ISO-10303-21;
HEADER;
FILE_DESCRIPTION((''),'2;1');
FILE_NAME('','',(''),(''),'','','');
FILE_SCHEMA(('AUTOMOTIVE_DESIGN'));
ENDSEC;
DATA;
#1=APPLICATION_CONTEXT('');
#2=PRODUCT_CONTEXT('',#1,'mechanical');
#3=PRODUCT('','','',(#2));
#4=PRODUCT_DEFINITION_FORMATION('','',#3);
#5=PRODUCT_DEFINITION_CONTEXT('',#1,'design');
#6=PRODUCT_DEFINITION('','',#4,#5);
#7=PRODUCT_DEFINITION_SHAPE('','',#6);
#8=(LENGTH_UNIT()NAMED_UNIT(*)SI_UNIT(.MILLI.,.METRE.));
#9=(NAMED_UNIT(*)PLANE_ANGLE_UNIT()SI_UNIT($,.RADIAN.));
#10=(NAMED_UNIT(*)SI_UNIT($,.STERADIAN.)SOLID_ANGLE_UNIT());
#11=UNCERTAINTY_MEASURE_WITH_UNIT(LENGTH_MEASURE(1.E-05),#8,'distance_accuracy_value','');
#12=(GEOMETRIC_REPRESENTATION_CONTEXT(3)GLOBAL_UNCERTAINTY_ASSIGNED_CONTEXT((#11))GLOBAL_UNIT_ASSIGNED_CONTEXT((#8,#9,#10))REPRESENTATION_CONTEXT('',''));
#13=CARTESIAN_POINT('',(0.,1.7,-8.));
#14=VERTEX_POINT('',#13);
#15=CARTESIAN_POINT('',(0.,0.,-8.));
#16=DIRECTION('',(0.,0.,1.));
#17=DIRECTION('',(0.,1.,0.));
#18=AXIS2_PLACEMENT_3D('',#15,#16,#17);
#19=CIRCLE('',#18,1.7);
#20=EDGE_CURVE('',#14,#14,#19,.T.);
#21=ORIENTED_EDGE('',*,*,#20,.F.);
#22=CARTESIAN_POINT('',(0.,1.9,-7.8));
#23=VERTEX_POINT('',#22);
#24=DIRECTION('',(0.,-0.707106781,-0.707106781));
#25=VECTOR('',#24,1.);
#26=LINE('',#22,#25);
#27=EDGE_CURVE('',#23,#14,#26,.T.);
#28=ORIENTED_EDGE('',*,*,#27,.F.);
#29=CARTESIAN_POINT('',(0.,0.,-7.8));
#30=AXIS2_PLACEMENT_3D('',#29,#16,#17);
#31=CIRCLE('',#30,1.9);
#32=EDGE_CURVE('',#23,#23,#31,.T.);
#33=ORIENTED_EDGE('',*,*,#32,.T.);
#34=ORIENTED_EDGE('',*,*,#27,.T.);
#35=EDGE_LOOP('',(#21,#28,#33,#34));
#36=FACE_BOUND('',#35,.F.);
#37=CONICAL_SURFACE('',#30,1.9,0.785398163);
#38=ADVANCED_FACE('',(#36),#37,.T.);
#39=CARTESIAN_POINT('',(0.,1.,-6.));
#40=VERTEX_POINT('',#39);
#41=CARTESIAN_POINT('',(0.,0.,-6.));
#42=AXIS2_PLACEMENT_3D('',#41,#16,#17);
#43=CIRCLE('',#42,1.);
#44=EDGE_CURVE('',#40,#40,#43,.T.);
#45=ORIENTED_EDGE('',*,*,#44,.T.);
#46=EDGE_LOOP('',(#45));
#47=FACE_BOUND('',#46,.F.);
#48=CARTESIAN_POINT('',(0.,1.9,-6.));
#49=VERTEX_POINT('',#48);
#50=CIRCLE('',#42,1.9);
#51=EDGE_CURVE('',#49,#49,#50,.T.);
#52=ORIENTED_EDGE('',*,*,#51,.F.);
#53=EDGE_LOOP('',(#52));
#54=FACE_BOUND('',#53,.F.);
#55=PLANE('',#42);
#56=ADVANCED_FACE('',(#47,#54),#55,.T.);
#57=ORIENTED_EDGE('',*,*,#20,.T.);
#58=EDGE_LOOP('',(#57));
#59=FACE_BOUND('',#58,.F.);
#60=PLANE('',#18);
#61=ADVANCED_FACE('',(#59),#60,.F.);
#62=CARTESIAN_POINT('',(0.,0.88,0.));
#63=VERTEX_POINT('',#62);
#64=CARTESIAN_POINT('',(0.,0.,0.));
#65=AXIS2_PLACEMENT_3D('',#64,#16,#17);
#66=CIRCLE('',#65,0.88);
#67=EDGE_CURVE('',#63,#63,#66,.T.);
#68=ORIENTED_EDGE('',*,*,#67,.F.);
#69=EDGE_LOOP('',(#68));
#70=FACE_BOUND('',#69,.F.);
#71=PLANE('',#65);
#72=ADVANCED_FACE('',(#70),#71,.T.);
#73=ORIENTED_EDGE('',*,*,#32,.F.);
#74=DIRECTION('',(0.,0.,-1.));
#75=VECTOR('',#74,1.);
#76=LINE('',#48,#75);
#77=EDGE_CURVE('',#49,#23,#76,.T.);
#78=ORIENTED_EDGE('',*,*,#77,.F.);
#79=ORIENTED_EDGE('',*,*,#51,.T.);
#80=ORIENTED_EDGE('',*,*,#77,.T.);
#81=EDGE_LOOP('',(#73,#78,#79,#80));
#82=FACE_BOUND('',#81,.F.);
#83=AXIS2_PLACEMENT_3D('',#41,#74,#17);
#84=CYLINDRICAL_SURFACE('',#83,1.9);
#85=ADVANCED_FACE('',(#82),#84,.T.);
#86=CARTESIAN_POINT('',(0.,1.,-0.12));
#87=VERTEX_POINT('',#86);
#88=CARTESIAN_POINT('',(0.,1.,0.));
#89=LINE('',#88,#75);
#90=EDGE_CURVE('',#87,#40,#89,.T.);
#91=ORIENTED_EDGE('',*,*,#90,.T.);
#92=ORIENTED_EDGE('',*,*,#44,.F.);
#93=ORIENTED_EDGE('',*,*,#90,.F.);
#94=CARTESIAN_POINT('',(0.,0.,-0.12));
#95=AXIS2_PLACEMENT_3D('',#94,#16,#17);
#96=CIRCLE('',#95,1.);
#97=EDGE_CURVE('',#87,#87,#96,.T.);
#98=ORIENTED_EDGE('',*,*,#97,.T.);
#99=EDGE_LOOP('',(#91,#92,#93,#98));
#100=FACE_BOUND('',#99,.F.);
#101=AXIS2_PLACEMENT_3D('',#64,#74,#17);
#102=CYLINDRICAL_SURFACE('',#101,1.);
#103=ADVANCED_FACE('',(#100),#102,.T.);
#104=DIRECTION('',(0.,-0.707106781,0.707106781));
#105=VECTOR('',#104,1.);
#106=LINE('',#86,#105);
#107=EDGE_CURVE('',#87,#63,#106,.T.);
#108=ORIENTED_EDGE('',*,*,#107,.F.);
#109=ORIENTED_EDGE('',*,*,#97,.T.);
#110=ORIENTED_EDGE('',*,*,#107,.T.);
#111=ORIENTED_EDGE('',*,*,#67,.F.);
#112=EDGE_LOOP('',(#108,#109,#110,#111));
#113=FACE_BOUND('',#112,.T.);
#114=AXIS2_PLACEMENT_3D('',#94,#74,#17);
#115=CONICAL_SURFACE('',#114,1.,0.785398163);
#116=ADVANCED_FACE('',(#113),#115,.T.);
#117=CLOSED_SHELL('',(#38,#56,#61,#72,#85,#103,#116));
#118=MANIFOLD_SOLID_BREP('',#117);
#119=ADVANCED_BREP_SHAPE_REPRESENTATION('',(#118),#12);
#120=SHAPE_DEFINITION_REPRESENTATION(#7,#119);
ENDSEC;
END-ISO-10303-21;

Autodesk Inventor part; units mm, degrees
ref_plane "YZ Plane" through (0, 0, 0) normal (1, 0, 0) x (0, 1, 0)
ref_plane "XZ Plane" through (0, 0, 0) normal (0, 1, 0) x (-1, 0, 0)
ref_plane "XY Plane" through (0, 0, 0) normal (0, 0, 1) x (1, 0, 0)
sketch "スケッチ1" plane through (0, 0, 0) normal (1, 0, 0) x (0, 1, 0)
  line L0 (0, 0) -> (1, 0)
  line L1 (1, 0) -> (1, -6)
  line L2 (1, -6) -> (0, -6)
  line L3 (0, -6) -> (0, 0)
  line L4 (0, -6) -> (1.9, -6)
  line L5 (1.9, -6) -> (1.9, -8)
  line L6 (1.9, -8) -> (0, -8)
  line L7 (0, -8) -> (0, -6)
  line L8 (1.9, -7.8) -> (1.7, -8)
  line L9 (1, -0.12) -> (0.88, 0)
  point P0 (1.9, -7)
  point P1 (1, -6)
  dimension "d0" = 45
  dimension "d1" = 1.9
  dimension "d2" = 2
  dimension "d3" = 6
  dimension "d7" = 1
  dimension "d10" = 45
  dimension "d11" = 0.2
  dimension "d12" = 0.12
revolve "回転1" add sketch "スケッチ1" angle 360 about axis through (0, 0, -6) along (0, 0, 1) contours L0 L9 L1 L2 L3 | L2 L4 L5 L8 L6 L7
thread "ねじ2" size "M2x0.4" class "6g" standard "ANSI Metric M Profile" length 30
properties part number "CSH-316L-M2-6" material "ステンレス鋼"
